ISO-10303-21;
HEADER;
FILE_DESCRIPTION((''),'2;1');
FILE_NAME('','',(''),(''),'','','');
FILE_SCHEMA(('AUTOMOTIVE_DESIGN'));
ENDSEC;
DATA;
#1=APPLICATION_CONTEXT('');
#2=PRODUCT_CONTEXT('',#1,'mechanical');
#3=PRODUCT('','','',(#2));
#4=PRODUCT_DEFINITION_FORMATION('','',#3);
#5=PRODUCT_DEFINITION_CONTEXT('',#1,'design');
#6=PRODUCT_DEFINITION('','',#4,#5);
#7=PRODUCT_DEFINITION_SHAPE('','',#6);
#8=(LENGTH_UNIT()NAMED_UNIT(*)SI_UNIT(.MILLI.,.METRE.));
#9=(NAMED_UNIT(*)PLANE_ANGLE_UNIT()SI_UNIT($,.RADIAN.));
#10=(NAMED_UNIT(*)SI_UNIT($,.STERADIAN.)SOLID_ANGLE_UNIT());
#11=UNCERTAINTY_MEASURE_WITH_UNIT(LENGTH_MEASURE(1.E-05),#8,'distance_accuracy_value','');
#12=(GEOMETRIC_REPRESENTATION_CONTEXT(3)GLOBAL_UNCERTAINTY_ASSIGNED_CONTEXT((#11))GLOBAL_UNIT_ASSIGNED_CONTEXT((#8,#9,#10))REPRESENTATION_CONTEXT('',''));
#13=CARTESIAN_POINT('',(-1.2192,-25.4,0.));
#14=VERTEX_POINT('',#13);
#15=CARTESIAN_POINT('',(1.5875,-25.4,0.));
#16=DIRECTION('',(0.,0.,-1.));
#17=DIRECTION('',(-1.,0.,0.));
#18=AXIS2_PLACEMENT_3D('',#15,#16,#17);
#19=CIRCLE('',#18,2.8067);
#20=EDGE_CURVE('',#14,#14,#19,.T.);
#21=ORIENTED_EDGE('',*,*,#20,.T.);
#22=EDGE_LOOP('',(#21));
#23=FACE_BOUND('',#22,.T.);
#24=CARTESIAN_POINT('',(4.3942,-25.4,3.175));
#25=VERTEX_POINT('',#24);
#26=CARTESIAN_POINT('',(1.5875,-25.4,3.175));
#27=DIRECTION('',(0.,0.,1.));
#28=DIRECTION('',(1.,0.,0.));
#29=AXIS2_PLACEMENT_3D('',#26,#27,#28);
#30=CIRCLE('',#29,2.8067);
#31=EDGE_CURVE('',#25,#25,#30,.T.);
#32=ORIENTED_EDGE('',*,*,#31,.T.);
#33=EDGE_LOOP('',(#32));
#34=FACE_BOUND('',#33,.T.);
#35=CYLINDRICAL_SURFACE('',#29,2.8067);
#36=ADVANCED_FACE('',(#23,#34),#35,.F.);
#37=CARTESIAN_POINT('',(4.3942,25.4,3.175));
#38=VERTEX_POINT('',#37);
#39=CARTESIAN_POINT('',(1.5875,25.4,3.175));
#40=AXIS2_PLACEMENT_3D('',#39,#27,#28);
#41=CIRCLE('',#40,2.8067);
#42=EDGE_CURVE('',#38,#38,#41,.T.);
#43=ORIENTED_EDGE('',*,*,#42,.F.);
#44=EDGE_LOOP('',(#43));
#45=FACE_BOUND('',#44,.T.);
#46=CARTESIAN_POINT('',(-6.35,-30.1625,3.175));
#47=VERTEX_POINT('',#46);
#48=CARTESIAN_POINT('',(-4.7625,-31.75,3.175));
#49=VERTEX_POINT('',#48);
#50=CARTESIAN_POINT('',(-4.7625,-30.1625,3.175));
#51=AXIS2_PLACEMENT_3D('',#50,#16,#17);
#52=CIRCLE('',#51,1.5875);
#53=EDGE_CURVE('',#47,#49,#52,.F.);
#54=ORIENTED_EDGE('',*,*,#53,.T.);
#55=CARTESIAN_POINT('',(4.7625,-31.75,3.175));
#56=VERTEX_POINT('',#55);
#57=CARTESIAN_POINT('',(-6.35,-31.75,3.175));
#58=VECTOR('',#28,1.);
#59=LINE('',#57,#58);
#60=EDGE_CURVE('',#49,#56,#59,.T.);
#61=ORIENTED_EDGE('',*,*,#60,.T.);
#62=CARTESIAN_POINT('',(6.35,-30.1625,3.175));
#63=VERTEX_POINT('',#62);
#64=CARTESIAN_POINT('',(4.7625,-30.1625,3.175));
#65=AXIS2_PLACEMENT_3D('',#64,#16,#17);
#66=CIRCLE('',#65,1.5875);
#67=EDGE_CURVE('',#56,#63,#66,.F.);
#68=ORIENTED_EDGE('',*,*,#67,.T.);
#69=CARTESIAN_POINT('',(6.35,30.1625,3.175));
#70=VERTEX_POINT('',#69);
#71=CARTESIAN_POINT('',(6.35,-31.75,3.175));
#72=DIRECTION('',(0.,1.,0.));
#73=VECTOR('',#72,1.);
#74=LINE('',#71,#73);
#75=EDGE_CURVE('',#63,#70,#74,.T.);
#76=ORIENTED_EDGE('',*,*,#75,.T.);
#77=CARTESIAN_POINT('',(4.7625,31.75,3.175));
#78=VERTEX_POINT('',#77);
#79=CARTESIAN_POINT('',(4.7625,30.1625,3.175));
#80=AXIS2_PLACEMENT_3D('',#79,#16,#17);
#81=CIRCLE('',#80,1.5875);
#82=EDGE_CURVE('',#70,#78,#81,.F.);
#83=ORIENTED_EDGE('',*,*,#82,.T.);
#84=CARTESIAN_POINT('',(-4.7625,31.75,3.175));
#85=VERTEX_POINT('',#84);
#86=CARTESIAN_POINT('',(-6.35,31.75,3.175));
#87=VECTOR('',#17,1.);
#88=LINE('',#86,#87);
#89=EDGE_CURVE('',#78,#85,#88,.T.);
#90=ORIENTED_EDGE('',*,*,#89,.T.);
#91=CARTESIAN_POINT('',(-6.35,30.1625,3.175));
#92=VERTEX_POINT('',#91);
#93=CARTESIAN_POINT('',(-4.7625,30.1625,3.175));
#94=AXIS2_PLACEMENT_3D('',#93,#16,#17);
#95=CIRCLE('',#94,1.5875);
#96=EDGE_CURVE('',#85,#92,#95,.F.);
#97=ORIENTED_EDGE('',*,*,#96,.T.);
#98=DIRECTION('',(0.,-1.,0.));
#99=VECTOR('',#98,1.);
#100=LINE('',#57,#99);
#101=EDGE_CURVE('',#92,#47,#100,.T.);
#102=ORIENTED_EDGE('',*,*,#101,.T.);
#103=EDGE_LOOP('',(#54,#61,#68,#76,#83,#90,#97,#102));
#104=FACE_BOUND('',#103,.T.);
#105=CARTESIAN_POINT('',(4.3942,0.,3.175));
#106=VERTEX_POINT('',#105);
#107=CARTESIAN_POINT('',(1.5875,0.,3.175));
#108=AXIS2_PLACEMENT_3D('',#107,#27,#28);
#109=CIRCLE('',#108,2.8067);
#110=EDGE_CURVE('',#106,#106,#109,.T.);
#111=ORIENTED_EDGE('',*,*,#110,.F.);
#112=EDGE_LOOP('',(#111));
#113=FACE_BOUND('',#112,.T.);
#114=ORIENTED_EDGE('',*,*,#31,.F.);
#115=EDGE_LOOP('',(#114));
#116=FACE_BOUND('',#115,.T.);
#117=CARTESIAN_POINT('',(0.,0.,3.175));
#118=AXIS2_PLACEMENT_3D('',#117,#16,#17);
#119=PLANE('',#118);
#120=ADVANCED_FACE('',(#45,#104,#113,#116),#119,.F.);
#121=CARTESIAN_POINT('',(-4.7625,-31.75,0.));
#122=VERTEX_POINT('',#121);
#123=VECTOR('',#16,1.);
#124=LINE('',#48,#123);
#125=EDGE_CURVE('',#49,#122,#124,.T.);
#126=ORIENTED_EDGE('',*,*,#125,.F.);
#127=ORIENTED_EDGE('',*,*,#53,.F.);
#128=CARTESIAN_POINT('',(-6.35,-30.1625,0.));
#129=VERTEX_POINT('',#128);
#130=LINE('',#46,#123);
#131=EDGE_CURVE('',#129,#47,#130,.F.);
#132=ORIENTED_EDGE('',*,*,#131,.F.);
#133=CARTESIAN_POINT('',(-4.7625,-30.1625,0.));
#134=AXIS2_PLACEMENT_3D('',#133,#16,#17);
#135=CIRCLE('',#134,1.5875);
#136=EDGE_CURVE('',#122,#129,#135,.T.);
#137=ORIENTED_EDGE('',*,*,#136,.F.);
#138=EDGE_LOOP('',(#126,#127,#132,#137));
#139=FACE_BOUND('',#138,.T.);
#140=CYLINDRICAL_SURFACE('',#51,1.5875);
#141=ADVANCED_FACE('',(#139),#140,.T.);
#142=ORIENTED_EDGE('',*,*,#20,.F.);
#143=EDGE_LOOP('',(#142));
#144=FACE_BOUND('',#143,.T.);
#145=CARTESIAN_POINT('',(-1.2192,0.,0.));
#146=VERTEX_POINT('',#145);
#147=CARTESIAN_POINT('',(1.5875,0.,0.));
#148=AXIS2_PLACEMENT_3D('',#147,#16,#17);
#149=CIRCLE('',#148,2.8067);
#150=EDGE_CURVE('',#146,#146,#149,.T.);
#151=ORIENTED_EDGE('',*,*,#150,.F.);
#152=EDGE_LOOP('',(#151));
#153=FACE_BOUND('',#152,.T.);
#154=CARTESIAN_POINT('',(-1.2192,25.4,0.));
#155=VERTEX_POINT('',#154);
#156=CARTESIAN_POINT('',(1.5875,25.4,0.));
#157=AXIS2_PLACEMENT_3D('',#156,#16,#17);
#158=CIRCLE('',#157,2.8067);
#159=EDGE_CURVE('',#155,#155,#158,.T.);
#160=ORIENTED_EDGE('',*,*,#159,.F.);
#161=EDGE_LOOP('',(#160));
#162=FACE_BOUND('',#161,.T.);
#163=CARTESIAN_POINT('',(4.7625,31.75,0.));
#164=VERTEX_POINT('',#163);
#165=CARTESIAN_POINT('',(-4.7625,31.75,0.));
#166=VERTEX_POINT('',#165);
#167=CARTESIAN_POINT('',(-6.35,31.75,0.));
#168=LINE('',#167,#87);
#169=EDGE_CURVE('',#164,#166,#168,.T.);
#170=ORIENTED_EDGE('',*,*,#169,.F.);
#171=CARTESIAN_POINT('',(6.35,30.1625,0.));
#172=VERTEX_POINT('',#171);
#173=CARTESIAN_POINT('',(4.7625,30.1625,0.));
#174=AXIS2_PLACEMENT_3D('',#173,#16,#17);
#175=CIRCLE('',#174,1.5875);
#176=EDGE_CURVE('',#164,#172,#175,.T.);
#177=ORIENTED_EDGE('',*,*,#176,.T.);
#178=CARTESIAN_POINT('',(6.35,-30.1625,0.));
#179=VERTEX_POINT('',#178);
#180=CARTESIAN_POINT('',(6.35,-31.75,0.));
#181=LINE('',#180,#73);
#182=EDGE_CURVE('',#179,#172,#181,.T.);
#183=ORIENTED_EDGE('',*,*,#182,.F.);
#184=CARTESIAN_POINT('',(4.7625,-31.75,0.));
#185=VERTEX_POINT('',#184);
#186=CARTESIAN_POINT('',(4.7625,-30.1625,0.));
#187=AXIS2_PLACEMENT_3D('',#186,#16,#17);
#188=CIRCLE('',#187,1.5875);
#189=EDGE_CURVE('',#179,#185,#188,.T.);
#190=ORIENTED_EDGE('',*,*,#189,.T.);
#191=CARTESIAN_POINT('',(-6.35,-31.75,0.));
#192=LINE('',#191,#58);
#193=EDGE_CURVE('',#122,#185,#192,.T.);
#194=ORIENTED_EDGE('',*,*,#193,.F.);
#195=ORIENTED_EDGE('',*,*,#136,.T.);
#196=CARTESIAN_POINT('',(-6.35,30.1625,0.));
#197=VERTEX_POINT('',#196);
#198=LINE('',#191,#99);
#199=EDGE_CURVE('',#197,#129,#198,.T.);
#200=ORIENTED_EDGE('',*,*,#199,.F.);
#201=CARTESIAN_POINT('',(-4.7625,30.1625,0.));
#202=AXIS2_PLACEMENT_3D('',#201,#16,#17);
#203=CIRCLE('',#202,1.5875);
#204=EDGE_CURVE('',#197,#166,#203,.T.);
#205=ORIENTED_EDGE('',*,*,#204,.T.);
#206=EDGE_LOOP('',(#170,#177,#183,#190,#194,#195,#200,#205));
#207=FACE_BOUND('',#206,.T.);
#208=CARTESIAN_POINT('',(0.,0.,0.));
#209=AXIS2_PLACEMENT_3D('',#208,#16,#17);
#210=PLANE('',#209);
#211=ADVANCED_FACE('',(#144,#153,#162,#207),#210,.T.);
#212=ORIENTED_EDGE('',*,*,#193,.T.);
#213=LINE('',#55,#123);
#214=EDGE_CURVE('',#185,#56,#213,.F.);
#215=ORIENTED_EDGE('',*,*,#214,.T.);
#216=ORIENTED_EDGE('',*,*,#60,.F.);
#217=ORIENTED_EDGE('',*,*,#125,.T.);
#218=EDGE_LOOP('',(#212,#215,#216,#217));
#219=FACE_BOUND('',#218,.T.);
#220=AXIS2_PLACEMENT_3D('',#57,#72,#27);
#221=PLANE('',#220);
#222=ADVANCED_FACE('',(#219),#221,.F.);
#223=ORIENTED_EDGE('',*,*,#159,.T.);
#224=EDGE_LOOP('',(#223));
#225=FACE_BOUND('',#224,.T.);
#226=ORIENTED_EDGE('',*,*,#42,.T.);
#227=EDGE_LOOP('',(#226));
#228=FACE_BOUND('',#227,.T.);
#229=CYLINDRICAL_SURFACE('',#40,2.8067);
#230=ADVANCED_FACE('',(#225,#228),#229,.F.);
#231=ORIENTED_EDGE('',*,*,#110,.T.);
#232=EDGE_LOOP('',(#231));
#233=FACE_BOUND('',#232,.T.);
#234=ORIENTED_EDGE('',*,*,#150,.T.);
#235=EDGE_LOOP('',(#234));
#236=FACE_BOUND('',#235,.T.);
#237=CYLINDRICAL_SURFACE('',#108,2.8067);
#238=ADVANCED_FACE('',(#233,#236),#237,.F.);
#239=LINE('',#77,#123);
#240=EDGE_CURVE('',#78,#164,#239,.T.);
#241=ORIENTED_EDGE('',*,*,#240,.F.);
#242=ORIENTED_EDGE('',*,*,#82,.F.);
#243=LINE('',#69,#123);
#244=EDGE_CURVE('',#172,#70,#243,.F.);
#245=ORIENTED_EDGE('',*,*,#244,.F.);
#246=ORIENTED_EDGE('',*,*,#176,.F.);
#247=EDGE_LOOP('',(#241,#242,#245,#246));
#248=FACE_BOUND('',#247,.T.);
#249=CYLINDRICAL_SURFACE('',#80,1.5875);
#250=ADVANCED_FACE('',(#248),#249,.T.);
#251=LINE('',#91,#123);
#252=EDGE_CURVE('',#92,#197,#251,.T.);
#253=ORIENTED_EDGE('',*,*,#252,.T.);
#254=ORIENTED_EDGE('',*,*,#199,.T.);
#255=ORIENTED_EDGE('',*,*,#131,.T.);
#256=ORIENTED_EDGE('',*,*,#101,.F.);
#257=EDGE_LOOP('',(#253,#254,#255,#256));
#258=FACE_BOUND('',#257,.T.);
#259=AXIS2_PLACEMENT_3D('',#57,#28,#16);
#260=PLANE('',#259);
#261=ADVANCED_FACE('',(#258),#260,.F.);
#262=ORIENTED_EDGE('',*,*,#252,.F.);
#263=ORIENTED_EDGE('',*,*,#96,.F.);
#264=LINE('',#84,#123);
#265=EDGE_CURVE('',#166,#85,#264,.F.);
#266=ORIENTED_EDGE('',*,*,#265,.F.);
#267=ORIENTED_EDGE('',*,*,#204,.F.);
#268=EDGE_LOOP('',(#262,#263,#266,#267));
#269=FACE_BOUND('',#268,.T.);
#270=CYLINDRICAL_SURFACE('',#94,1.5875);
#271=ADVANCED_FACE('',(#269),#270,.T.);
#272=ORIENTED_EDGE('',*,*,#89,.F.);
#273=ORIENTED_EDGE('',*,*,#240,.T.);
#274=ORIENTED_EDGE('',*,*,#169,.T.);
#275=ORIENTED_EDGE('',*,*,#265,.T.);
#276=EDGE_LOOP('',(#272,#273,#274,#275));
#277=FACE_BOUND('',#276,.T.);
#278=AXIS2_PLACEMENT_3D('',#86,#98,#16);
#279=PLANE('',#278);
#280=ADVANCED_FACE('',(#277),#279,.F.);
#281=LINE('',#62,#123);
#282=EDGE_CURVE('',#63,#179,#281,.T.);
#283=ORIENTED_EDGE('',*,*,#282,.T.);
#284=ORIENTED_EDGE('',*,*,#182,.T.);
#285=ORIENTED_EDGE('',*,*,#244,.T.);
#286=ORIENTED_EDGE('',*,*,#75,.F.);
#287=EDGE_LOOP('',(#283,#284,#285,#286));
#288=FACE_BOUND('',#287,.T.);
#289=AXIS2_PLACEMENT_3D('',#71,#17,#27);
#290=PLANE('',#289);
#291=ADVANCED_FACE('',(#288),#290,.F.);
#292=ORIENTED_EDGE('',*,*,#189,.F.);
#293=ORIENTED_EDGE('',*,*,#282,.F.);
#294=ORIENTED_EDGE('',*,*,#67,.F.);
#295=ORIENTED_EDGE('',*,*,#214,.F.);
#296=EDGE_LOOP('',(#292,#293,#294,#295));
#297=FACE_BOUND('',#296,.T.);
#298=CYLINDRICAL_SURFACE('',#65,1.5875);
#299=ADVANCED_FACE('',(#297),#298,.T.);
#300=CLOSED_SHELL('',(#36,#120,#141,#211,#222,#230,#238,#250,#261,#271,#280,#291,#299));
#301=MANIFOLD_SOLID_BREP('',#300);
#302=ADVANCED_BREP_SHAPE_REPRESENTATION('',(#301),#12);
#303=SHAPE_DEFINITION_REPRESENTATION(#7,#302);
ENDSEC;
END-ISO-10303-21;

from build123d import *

# Parameters (mm, degrees)
SKETCH1_W                  = 12.7
SKETCH1_H                  = 63.5
BOSS_EXTRUDE1_DEPTH        = 3.175
F_10_CLEARANCE_HOLE1_D     = 5.6134
F_10_CLEARANCE_HOLE1_DEPTH = 25.4
F_10_CLEARANCE_HOLE1_TIP   = 1.686435499
FILLET1_R                  = 1.5875


with BuildPart() as part:
    # Sketch1 → Boss-Extrude1 (new body)
    with BuildSketch(Plane.XY):
        Rectangle(SKETCH1_W, SKETCH1_H)
    extrude(amount=BOSS_EXTRUDE1_DEPTH)

    # #10 Clearance Hole1
    with Locations(Plane.XY.offset(3.175)):
        with Locations((1.5875, -25.4), (1.5875, 0), (1.5875, 25.4)):
            Hole(F_10_CLEARANCE_HOLE1_D / 2, depth=F_10_CLEARANCE_HOLE1_DEPTH)
            with Locations((0, 0, -(F_10_CLEARANCE_HOLE1_DEPTH + F_10_CLEARANCE_HOLE1_TIP / 2))):  # 118° drill point
                Cone(0, F_10_CLEARANCE_HOLE1_D / 2, F_10_CLEARANCE_HOLE1_TIP, mode=Mode.SUBTRACT)

    # Fillet1
    fillet1_edges = [part.edges().sort_by_distance(p)[0] for p in [
        (6.35, -31.75, 1.5875),
        (-6.35, -31.75, 1.5875),
        (-6.35, 31.75, 1.5875),
        (6.35, 31.75, 1.5875),
    ]]
    fillet(fillet1_edges, radius=FILLET1_R)


solid = part.part
